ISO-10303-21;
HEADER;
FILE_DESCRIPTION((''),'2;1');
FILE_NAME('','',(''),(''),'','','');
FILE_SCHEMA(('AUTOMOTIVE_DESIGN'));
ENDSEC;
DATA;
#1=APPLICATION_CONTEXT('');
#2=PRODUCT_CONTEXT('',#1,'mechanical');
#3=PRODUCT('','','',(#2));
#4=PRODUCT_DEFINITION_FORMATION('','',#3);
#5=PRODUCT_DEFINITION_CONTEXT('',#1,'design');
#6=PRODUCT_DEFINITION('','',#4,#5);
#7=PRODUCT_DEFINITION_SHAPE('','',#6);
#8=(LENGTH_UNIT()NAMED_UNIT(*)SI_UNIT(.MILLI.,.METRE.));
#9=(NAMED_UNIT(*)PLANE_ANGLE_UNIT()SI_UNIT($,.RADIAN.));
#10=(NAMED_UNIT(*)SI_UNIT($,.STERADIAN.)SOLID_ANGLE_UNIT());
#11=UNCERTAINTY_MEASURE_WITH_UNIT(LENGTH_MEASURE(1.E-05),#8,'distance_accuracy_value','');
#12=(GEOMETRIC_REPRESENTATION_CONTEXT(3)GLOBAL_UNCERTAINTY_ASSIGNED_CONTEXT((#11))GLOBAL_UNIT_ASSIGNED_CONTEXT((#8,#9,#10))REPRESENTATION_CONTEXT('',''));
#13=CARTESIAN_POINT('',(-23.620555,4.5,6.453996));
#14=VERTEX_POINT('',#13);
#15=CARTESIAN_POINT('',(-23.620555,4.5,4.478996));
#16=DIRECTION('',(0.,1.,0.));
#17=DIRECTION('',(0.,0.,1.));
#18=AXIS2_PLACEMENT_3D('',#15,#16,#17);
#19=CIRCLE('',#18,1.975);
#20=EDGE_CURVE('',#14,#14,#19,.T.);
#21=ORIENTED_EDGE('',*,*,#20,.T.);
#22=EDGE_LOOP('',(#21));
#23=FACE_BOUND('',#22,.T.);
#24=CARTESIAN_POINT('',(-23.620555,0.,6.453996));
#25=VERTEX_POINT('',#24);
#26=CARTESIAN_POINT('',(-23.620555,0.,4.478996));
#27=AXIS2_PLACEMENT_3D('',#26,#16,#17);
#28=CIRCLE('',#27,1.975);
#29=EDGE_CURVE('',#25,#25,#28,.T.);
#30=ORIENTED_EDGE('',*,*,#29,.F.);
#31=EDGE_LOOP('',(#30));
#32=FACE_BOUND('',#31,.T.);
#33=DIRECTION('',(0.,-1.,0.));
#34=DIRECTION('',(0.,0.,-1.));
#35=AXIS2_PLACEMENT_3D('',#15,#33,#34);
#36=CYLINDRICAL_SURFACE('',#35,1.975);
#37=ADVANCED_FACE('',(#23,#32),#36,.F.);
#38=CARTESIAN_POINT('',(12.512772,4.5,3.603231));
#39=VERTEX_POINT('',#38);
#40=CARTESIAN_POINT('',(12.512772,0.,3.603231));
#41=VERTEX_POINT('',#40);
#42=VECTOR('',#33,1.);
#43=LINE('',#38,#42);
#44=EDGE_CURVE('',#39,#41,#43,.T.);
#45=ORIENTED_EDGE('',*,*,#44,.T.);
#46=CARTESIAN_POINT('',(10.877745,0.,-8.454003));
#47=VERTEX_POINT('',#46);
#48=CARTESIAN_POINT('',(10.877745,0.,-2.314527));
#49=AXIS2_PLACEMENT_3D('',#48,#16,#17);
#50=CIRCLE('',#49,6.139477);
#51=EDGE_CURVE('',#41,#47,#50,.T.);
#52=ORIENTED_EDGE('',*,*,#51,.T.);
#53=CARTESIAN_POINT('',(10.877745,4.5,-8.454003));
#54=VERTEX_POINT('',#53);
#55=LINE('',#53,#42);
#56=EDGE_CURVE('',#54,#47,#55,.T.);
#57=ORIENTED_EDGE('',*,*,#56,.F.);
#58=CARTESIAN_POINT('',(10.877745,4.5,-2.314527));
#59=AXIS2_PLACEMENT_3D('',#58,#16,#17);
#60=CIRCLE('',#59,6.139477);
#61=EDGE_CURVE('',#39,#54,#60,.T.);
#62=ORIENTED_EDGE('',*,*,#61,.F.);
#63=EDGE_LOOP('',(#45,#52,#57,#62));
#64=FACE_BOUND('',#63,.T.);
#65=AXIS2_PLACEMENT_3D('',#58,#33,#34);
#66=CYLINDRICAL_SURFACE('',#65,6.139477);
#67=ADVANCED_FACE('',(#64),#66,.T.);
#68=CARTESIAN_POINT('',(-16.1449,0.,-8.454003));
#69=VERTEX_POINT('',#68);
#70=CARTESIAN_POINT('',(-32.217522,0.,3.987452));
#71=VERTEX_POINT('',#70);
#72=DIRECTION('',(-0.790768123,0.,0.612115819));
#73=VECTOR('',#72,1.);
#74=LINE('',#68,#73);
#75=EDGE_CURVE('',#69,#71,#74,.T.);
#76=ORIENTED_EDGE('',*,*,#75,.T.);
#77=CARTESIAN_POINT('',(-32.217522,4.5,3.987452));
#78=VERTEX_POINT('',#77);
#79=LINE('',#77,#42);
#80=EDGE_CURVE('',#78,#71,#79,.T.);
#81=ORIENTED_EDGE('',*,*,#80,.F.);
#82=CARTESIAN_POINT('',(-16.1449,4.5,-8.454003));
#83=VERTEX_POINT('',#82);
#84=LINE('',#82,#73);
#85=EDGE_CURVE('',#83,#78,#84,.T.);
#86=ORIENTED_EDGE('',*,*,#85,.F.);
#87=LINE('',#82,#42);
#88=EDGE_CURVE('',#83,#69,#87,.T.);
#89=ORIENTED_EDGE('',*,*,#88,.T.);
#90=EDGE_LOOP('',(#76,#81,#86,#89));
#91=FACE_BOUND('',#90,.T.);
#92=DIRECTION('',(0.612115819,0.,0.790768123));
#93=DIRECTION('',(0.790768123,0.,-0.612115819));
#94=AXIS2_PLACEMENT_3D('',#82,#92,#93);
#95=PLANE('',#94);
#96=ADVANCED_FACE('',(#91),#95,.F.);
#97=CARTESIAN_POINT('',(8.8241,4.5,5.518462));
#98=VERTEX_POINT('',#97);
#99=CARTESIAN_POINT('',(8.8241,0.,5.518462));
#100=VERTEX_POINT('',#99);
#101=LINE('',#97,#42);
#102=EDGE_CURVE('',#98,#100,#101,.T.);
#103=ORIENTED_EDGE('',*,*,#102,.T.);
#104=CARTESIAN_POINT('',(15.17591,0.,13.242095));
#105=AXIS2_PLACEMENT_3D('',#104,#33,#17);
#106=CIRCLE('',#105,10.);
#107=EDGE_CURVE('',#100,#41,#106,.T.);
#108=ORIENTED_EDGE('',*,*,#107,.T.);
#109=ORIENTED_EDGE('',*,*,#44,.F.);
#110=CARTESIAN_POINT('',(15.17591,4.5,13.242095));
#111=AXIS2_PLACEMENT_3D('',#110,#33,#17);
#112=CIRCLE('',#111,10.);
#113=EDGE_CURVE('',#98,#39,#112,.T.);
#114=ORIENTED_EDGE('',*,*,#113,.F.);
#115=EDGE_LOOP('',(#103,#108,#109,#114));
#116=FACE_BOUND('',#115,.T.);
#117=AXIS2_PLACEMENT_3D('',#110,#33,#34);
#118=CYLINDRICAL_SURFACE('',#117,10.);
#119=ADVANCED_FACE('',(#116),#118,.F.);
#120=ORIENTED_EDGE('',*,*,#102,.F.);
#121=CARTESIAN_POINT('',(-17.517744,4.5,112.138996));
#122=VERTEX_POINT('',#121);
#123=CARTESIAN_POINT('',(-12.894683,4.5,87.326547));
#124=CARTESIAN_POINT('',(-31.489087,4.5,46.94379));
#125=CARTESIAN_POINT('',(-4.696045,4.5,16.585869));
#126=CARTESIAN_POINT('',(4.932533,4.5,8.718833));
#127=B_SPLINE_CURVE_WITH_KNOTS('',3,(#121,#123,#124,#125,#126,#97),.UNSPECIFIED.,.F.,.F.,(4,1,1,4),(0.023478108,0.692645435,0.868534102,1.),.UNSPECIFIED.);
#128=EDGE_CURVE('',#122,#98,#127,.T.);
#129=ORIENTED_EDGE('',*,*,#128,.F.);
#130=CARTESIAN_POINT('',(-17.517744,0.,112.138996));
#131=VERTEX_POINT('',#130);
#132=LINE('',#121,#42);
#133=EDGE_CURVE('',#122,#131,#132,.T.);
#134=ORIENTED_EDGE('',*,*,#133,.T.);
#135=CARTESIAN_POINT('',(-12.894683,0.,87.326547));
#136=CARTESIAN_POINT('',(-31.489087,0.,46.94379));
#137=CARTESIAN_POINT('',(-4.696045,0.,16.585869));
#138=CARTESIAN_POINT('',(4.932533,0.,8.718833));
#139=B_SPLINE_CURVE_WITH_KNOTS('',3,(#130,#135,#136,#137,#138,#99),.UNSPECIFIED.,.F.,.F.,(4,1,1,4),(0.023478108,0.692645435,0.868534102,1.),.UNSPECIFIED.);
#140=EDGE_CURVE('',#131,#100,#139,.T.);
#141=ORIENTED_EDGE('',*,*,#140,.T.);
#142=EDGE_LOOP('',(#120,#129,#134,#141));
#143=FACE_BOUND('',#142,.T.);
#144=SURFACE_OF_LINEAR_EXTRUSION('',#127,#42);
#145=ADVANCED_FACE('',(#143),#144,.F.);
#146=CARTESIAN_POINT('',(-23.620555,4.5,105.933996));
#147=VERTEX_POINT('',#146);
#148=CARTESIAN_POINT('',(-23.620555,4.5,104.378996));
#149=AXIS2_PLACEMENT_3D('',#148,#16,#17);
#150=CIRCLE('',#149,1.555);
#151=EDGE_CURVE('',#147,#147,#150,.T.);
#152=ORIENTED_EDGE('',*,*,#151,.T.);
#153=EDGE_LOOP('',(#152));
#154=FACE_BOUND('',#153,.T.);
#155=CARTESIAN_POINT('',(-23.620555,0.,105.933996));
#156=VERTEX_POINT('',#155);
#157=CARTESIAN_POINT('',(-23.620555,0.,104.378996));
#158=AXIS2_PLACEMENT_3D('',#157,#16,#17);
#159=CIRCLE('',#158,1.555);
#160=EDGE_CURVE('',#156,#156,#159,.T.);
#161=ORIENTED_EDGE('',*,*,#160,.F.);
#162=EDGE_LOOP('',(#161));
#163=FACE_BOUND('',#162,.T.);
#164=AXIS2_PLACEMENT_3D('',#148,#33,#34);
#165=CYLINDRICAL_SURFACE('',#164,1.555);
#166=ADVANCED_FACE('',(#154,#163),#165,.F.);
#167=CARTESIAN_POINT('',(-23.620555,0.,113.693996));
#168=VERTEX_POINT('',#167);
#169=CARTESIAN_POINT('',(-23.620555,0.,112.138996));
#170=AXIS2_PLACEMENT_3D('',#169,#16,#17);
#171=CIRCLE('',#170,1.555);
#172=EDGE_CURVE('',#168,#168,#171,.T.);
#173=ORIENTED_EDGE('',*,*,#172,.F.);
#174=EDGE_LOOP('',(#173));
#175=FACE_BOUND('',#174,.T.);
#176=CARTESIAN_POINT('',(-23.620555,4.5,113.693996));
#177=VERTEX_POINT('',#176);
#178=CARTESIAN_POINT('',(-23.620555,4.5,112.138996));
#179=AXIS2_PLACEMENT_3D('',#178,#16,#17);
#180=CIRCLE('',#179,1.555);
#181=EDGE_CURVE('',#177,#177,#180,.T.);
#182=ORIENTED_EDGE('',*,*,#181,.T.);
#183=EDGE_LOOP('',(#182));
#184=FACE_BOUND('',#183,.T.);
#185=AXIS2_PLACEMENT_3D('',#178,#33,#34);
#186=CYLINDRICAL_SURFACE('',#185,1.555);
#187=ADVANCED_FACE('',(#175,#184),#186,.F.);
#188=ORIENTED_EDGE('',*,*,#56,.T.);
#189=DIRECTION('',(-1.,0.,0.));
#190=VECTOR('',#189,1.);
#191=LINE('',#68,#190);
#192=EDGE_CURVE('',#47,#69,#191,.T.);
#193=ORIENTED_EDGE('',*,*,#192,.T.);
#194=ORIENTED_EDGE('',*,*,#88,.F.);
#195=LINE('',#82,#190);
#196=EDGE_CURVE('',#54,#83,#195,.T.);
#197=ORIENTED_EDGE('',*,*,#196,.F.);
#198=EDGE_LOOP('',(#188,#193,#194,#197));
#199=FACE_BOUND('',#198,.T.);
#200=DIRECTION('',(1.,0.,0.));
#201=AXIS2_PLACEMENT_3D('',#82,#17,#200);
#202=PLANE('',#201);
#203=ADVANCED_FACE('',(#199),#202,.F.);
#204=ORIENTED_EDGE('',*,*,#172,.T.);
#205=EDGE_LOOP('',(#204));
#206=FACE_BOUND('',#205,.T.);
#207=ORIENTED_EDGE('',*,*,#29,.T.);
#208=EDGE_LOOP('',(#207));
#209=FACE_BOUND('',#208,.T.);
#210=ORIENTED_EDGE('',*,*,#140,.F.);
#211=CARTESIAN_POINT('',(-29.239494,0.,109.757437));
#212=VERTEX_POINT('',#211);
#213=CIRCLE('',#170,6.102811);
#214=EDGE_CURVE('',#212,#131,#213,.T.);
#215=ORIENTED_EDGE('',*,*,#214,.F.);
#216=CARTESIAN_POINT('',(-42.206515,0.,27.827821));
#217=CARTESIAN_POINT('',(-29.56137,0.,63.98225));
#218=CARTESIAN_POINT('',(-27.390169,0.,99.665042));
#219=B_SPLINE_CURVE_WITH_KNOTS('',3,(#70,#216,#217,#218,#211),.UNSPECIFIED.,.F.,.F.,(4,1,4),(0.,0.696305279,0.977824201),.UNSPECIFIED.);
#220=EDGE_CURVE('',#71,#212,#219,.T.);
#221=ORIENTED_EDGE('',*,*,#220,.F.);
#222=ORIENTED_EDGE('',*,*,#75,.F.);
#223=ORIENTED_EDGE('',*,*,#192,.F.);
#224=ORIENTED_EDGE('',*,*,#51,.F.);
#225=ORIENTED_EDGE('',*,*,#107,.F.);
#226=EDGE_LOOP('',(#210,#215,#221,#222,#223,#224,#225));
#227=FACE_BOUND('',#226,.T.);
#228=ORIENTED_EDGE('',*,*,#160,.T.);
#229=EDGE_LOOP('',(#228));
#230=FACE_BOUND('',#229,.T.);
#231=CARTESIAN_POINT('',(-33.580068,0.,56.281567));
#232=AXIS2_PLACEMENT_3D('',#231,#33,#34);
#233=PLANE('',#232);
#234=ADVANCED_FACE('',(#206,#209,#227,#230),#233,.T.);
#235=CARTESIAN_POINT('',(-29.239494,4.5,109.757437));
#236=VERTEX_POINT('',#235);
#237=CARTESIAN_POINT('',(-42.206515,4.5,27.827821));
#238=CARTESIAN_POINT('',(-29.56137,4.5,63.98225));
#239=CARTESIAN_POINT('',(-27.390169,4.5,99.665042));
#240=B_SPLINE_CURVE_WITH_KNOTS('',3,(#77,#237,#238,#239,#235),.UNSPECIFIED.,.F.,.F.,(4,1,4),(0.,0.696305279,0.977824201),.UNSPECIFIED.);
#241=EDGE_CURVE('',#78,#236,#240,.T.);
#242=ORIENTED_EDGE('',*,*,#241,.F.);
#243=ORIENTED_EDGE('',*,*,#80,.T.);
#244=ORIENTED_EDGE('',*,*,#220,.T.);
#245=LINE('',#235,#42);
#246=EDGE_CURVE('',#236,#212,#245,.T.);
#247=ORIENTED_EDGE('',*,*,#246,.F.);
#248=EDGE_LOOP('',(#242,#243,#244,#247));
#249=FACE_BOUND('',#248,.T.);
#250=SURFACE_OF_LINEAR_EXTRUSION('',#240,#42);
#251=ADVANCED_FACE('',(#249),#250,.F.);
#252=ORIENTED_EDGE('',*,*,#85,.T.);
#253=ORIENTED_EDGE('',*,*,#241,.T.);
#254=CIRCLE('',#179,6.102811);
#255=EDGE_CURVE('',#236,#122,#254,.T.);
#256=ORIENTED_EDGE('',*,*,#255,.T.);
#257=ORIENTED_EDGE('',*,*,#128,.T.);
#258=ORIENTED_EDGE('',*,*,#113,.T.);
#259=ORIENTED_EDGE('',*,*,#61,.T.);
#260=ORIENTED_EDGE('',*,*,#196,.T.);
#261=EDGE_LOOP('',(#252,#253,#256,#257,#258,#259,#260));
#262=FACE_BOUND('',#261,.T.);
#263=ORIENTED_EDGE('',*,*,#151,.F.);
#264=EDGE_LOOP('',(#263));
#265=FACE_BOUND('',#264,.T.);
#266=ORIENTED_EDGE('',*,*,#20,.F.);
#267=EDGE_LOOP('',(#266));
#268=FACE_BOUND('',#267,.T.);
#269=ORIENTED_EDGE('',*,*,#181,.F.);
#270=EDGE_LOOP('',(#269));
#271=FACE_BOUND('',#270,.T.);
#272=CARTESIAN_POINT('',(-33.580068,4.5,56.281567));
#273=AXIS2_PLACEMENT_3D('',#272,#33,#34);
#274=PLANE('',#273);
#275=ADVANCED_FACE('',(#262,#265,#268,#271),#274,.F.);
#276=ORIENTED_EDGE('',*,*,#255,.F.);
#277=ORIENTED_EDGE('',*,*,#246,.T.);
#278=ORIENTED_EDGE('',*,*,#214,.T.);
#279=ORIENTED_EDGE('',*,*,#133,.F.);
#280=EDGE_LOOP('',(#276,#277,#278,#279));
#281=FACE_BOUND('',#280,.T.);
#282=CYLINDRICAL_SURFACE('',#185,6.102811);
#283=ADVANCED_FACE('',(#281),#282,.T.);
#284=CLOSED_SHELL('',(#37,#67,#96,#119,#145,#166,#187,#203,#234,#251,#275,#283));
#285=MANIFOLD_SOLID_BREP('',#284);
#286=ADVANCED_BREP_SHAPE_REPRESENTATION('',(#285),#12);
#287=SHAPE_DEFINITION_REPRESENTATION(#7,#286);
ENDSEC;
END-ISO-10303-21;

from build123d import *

# Parameters (mm, degrees)
SKETCH1_R           = 1.975
SKETCH1_R_2         = 1.554999938
BOSS_EXTRUDE1_DEPTH = 4.5


with BuildPart() as part:
    # Sketch1 → Boss-Extrude1 (new body)
    with BuildSketch(Plane(origin=(0, 0, 0), x_dir=(1, 0, 0), z_dir=(0, 1, 0))):
        with BuildLine():
            Line((-16.144899663, 8.454003274), (10.877745108, 8.454003274))
            ThreePointArc((10.877745108, 8.454003274), (16.961539544, 3.139522495), (12.51277209, -3.603231306))
            ThreePointArc((12.51277209, -3.603231306), (10.56783567, -4.367093581), (8.824099884, -5.518461795))
            add(Edge.make_bspline(
                [(8.824099884, -5.518461795), (4.932532744, -8.718832913), (-4.696045283, -16.58586855), (-31.489086781, -46.943790059), (-12.894682963, -87.326546642), (-17.517744483, -112.138995974)],
                knots=[0.023478108, 0.023478108, 0.023478108, 0.023478108, 0.154944007, 0.330832674, 1, 1, 1, 1], degree=3))
            ThreePointArc((-17.517744483, -112.138995974), (-24.835663445, -118.119615453), (-29.239494185, -109.757437382))
            add(Edge.make_bspline(
                [(-32.217521916, -3.987452131), (-42.206514906, -27.827820505), (-29.561370115, -63.982250345), (-27.390169054, -99.665041987), (-29.239494185, -109.757437382)],
                knots=[0, 0, 0, 0, 0.696305279, 0.977824201, 0.977824201, 0.977824201, 0.977824201], degree=3))
            Line((-32.217521916, -3.987452131), (-16.144899663, 8.454003274))
        make_face()
        with Locations(Location((-23.620555115, -4.478995902, 0), (0, 0, 270))):
            Circle(SKETCH1_R, mode=Mode.SUBTRACT)
        with Locations(Location((-23.620555115, -112.138995974, 0), (0, 0, 270))):
            Circle(SKETCH1_R_2, mode=Mode.SUBTRACT)
        with Locations(Location((-23.620555115, -104.378996, 0), (0, 0, 270))):
            Circle(SKETCH1_R_2, mode=Mode.SUBTRACT)
    extrude(amount=BOSS_EXTRUDE1_DEPTH)


solid = part.part
